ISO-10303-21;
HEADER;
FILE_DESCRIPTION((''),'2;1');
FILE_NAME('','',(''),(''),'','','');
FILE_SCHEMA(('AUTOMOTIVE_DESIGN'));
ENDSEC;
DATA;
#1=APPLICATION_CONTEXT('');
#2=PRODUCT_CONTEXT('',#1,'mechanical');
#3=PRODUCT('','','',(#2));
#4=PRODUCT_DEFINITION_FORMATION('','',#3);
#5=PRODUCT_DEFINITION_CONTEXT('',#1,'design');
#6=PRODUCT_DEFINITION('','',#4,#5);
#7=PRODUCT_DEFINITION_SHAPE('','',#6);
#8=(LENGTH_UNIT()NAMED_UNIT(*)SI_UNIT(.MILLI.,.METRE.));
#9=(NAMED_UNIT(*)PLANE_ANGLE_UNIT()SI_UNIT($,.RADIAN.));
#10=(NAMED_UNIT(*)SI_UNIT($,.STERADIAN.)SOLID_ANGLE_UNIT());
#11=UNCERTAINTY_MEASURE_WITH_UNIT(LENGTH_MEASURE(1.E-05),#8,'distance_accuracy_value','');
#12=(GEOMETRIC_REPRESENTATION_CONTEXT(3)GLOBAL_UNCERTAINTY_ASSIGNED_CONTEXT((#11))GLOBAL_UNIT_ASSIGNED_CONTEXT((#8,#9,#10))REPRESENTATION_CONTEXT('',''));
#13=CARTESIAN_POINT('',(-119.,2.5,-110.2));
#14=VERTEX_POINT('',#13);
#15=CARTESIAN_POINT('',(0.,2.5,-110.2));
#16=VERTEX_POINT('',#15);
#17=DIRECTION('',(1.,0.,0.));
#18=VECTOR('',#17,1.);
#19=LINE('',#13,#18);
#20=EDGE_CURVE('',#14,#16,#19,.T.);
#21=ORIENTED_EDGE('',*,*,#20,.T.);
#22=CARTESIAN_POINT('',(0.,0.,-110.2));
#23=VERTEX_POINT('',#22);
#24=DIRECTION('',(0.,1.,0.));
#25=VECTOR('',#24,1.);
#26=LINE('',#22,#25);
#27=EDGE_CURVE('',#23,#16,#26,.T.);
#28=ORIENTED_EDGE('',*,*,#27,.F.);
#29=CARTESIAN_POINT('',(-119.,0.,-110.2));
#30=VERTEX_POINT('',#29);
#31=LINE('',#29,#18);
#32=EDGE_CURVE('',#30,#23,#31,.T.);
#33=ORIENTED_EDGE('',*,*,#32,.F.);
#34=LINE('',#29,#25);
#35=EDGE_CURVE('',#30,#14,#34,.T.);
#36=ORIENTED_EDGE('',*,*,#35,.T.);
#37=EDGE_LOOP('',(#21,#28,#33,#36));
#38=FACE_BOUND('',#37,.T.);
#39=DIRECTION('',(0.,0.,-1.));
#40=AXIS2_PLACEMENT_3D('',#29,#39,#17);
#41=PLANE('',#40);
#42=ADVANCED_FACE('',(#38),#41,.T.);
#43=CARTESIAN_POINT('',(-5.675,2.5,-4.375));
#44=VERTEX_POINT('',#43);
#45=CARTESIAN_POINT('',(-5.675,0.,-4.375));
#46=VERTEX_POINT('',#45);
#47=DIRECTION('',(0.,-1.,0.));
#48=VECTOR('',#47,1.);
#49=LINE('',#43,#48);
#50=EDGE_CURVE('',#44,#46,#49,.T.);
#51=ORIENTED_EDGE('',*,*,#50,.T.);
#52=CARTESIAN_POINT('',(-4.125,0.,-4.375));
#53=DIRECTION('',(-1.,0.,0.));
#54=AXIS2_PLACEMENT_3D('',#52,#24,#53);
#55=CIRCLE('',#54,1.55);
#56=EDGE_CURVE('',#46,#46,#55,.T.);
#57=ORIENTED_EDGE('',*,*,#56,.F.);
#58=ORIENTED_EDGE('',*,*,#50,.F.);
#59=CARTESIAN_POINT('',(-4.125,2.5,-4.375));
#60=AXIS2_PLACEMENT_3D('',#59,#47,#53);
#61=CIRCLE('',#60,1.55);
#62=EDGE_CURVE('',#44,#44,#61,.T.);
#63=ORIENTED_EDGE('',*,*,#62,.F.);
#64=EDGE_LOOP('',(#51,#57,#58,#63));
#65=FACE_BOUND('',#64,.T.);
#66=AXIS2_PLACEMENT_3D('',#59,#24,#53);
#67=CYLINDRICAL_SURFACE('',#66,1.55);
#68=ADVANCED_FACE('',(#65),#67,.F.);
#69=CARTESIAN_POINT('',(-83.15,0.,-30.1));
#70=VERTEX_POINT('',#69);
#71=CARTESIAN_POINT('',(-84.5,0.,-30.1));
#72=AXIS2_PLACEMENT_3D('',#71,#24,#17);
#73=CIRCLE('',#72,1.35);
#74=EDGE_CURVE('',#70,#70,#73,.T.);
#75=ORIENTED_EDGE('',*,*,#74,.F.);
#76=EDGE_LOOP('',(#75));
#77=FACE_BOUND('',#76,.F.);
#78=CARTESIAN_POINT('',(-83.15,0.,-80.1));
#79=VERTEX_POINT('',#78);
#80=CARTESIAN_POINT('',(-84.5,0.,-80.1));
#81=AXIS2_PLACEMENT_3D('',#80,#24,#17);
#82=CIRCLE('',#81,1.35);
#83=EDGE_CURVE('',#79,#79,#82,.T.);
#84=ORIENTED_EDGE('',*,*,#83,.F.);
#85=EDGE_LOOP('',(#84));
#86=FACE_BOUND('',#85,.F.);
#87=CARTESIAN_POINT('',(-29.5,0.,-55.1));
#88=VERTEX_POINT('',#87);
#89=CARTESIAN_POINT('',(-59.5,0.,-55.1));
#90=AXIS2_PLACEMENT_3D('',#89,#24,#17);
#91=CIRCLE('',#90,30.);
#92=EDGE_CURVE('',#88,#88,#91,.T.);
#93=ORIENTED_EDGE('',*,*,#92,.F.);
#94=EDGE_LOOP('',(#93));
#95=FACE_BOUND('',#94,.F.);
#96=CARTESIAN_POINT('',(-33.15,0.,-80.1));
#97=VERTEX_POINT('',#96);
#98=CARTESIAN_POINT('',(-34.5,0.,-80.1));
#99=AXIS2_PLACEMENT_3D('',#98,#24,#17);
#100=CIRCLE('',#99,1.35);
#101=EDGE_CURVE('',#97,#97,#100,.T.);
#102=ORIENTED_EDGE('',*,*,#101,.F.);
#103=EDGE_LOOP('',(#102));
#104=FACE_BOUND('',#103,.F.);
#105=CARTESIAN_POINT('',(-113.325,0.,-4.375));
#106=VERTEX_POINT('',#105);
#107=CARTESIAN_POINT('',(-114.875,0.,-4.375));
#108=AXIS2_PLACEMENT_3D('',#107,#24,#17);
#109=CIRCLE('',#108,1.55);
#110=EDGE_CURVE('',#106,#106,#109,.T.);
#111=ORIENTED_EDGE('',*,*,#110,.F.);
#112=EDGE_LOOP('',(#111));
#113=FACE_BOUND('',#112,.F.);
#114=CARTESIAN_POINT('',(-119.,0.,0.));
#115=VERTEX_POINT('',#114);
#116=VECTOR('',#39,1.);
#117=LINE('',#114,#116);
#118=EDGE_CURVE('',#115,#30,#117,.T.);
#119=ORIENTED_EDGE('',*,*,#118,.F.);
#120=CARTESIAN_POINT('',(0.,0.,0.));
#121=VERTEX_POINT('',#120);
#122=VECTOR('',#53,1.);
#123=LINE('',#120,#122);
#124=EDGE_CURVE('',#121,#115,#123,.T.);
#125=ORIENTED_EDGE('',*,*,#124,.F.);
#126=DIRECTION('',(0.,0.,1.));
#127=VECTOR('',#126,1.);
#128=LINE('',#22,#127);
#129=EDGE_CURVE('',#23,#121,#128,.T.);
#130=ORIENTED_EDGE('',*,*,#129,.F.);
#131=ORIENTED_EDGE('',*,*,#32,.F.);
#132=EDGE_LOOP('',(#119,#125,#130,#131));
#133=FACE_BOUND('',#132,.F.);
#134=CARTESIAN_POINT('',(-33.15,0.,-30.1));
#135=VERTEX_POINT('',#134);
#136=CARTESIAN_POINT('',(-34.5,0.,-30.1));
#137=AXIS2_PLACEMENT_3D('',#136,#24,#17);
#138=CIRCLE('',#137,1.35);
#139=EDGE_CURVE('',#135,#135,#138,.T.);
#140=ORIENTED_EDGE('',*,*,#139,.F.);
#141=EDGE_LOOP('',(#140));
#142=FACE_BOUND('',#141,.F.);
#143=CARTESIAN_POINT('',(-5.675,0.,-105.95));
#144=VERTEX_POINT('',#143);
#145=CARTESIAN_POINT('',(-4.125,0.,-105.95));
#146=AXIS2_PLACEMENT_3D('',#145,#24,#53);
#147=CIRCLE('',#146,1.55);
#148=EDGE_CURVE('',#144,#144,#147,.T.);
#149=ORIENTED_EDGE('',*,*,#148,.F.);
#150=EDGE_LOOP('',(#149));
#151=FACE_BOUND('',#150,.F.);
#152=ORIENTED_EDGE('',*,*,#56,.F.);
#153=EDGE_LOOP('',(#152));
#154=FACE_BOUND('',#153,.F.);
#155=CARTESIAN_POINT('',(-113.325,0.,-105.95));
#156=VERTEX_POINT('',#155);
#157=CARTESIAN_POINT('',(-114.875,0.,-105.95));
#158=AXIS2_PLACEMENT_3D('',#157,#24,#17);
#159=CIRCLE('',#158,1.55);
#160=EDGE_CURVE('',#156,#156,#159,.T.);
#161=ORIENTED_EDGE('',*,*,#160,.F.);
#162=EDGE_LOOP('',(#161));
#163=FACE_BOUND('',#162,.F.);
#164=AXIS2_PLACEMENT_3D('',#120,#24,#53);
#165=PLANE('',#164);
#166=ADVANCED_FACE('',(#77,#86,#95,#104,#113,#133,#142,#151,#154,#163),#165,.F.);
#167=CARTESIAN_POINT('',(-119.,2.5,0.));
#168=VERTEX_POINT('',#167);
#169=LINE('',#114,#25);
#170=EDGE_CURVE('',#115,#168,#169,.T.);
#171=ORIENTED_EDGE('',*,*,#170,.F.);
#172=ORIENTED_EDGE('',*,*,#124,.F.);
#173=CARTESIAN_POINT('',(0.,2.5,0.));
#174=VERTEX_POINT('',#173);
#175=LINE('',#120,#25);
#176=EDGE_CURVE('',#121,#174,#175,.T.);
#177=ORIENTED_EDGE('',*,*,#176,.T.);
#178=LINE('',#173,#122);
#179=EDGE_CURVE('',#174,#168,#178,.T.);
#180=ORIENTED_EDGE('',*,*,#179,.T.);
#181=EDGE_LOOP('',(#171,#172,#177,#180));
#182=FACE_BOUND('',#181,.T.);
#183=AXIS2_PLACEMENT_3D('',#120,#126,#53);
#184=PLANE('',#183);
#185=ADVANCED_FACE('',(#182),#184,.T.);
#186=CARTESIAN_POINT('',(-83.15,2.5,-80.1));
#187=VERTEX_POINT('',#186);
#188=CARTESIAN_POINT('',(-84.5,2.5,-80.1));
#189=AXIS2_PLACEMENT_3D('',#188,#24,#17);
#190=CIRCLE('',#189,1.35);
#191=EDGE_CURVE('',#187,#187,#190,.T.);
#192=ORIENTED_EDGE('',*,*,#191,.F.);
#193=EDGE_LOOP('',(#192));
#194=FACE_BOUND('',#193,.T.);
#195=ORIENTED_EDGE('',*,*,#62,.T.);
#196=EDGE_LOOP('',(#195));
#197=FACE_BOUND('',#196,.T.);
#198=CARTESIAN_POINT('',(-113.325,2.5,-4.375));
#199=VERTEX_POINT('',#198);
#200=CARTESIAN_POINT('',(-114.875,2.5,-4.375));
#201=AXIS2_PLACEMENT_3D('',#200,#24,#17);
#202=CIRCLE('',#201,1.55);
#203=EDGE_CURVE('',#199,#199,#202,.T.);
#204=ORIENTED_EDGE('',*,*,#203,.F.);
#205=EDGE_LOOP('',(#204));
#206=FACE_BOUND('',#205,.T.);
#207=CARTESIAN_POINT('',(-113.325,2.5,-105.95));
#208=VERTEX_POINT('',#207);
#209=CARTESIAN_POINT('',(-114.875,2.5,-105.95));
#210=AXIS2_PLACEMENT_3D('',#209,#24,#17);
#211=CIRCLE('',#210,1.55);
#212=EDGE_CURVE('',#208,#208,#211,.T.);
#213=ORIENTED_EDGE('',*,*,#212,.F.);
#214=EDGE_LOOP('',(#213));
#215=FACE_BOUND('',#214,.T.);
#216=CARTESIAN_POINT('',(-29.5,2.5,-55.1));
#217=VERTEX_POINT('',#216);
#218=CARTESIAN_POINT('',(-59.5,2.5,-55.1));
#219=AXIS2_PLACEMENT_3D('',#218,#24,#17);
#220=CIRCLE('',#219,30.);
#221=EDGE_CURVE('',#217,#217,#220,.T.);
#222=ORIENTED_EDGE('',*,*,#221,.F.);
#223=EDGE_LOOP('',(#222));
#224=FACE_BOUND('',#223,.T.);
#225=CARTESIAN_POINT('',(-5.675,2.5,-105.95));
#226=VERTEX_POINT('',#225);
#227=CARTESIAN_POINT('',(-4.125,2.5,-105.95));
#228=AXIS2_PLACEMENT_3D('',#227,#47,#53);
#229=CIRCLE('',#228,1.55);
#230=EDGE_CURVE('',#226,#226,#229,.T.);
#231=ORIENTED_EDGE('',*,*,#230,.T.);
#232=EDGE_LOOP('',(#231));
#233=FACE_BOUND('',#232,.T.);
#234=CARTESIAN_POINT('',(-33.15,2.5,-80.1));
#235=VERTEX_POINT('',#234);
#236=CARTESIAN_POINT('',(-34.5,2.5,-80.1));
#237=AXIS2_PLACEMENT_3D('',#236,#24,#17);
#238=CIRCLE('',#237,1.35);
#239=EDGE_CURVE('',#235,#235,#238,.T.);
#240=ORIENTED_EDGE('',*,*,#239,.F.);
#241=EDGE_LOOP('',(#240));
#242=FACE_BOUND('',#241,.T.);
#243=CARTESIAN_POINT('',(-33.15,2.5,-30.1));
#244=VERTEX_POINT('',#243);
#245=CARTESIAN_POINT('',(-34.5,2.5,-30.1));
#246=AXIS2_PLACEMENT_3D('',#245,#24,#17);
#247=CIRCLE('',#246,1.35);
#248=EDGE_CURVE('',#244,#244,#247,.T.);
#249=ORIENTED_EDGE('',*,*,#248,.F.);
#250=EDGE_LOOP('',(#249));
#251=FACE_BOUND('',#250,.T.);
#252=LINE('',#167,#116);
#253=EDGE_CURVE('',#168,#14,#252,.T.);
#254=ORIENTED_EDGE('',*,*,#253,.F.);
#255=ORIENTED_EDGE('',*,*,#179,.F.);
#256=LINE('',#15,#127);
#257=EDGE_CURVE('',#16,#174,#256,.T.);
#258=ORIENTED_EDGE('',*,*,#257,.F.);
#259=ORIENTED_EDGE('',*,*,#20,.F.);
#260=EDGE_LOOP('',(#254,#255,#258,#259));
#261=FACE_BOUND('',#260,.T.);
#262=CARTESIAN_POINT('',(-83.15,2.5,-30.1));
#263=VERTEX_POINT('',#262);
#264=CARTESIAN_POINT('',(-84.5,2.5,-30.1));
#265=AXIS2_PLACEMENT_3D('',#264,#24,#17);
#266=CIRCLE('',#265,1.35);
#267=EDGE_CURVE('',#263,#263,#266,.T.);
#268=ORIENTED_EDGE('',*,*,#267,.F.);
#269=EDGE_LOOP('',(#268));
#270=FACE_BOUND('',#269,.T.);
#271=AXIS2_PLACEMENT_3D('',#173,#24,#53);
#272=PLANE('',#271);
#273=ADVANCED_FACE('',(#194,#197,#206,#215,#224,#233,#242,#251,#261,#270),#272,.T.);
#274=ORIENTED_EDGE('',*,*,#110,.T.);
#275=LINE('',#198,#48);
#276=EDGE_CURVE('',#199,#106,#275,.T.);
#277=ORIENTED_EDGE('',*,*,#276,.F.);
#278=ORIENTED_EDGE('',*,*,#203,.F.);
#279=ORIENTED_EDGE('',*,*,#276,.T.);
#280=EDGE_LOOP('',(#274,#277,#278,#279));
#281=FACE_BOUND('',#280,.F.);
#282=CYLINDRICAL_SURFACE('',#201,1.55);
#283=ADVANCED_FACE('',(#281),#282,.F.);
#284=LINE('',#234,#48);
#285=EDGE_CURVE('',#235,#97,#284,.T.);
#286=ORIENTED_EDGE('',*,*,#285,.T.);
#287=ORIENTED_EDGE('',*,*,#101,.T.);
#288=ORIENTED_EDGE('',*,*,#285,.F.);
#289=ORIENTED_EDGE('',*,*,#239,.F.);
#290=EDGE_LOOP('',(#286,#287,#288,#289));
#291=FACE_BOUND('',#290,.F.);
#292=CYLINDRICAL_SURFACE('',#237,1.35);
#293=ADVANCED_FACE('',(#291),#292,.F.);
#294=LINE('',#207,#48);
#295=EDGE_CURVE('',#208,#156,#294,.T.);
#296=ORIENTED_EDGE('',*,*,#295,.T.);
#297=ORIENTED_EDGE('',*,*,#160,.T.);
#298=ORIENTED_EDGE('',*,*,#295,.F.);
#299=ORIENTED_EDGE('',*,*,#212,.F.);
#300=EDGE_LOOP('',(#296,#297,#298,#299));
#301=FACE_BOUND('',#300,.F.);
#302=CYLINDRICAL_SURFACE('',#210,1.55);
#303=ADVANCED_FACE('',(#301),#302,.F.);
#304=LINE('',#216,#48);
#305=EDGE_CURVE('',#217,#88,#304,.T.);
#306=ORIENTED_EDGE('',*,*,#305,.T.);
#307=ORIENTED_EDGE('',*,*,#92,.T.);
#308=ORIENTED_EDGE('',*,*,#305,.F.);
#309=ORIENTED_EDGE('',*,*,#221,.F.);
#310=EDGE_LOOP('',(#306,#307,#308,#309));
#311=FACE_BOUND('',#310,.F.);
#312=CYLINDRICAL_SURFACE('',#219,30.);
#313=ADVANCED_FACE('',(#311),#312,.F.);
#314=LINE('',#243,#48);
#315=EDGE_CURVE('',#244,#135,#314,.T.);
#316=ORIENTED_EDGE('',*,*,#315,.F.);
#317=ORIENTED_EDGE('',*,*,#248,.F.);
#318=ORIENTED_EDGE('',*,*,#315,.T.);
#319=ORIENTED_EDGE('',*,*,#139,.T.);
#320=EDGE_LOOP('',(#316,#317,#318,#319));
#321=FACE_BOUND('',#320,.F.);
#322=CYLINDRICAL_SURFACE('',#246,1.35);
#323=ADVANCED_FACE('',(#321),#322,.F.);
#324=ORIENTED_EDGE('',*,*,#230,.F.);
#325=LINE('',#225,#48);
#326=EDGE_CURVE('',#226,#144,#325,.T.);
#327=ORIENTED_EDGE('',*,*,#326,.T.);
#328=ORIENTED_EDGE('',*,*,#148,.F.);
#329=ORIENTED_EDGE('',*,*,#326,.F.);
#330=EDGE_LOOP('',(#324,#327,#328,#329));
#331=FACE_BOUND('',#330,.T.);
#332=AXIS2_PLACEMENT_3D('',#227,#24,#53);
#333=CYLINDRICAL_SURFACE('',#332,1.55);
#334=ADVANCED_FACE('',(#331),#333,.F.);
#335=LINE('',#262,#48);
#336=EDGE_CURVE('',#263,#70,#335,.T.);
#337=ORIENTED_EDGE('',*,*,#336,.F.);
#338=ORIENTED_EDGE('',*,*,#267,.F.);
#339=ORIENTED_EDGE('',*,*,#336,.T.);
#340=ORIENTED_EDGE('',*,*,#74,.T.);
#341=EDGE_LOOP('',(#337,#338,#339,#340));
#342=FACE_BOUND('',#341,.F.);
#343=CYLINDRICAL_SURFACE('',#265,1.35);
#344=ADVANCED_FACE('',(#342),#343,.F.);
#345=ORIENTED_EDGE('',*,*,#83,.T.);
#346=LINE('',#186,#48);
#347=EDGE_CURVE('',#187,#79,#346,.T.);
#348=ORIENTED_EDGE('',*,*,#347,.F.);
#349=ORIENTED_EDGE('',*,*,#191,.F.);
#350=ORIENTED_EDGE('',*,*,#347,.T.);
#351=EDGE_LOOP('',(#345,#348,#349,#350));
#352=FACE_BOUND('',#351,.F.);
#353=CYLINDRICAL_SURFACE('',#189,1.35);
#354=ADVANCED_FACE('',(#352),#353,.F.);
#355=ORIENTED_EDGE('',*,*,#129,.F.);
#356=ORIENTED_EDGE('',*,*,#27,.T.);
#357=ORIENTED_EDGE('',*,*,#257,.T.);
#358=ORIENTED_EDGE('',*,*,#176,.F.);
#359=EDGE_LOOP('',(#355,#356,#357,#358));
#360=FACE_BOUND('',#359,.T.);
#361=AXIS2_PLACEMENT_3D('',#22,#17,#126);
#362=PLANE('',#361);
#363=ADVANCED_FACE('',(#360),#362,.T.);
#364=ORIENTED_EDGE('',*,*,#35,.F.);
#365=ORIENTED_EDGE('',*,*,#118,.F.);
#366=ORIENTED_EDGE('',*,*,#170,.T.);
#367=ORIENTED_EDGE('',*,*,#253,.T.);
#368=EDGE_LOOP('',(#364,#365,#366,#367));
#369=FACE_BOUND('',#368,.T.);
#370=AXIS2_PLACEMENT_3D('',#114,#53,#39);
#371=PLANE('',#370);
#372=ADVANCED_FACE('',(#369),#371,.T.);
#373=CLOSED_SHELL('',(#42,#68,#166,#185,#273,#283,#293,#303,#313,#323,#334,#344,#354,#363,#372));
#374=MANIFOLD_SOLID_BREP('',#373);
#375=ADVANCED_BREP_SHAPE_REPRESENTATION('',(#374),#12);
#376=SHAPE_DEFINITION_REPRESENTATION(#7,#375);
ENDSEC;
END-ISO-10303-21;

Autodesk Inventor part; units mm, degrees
ref_plane "YZ Plane" through (0, 0, 0) normal (1, 0, 0) x (0, 1, 0)
ref_plane "XZ Plane" through (0, 0, 0) normal (0, 1, 0) x (-1, 0, 0)
sketch "Sketch1" plane through (0, 0, 0) normal (0, 1, 0) x (-1, 0, 0)
  line L0 (0, 0) -> (119, 0)
  line L1 (119, 0) -> (119, -110.2)
  line L2 (119, -110.2) -> (0, -110.2)
  line L3 (0, -110.2) -> (0, 0)
  dimension "d0" = 119
  dimension "d1" = 110.2
extrude "Extrusion1" add sketch "Sketch1" along normal blind 2.5
sketch "Sketch2" plane through (0, 2.5, 0) normal (0, 1, 0) x (1, 0, 0)
  line L0 (-119, 0) -> (0, 0) projected
  line L1 (0, 0) -> (0, 110.2) projected
  line L2 (0, 110.2) -> (-119, 110.2) projected
  line L3 (-119, 110.2) -> (-119, 0) projected
  circle A0 centre (-114.875, 4.375) radius 1.55
  circle A1 centre (-11.5301, 10.067) radius 1.55
  circle A2 centre (-11.5301, 99.7072) radius 1.55
  circle A3 centre (-114.875, 105.95) radius 1.55
  dimension "d4" = 3.1
  dimension "d5" = 3.1
  dimension "d6" = 3.1
  dimension "d7" = 3.1
  dimension "d8" = 4.375
  dimension "d9" = 4.125
  dimension "d10" = 4.25
  dimension "d11" = 4.125
extrude "Extrusion2" cut sketch "Sketch2" against normal through all contours A0 | A3
ref_plane "Work Plane1" through (-59.5, 0, 0) normal (1, 0, 0) x (0, 0, -1)
mirror "Mirror1" about plane through (-59.5, 0, 0) normal (1, 0, 0) of "Extrusion2"
sketch "Sketch3" plane through (0, 2.5, 0) normal (0, 1, 0) x (1, 0, 0)
  circle A0 centre (-4.125, 4.375) radius 1.55 projected
  circle A1 centre (-4.125, 105.95) radius 1.55 projected
  circle A2 centre (-114.875, 4.375) radius 1.55 projected
  circle A3 centre (-114.875, 105.95) radius 1.55 projected
  line L0 (-119, 0) -> (0, 0) projected
  line L1 (0, 0) -> (0, 110.2) projected
  line L2 (0, 110.2) -> (-119, 110.2) projected
  line L3 (-119, 110.2) -> (-119, 0) projected
  circle A4 centre (-59.5, 55.1) radius 30
  circle A5 centre (-34.5, 80.1) radius 1.35
  circle A6 centre (-34.5, 30.1) radius 1.35
  circle A7 centre (-84.5, 30.1) radius 1.35
  circle A8 centre (-84.5, 80.1) radius 1.35
  dimension "d26" = 2.7
  dimension "d27" = 2.7
  dimension "d30" = 50
  dimension "d31" = 50
  dimension "d32" = 50
  dimension "d33" = 25
  dimension "d34" = 25
  dimension "d35" = 25
  dimension "d36" = 60
extrude "Extrusion3" cut sketch "Sketch3" against normal through all contours A4 | A5 | A6 | A7 | A8
properties part number "Base Cover Left"
